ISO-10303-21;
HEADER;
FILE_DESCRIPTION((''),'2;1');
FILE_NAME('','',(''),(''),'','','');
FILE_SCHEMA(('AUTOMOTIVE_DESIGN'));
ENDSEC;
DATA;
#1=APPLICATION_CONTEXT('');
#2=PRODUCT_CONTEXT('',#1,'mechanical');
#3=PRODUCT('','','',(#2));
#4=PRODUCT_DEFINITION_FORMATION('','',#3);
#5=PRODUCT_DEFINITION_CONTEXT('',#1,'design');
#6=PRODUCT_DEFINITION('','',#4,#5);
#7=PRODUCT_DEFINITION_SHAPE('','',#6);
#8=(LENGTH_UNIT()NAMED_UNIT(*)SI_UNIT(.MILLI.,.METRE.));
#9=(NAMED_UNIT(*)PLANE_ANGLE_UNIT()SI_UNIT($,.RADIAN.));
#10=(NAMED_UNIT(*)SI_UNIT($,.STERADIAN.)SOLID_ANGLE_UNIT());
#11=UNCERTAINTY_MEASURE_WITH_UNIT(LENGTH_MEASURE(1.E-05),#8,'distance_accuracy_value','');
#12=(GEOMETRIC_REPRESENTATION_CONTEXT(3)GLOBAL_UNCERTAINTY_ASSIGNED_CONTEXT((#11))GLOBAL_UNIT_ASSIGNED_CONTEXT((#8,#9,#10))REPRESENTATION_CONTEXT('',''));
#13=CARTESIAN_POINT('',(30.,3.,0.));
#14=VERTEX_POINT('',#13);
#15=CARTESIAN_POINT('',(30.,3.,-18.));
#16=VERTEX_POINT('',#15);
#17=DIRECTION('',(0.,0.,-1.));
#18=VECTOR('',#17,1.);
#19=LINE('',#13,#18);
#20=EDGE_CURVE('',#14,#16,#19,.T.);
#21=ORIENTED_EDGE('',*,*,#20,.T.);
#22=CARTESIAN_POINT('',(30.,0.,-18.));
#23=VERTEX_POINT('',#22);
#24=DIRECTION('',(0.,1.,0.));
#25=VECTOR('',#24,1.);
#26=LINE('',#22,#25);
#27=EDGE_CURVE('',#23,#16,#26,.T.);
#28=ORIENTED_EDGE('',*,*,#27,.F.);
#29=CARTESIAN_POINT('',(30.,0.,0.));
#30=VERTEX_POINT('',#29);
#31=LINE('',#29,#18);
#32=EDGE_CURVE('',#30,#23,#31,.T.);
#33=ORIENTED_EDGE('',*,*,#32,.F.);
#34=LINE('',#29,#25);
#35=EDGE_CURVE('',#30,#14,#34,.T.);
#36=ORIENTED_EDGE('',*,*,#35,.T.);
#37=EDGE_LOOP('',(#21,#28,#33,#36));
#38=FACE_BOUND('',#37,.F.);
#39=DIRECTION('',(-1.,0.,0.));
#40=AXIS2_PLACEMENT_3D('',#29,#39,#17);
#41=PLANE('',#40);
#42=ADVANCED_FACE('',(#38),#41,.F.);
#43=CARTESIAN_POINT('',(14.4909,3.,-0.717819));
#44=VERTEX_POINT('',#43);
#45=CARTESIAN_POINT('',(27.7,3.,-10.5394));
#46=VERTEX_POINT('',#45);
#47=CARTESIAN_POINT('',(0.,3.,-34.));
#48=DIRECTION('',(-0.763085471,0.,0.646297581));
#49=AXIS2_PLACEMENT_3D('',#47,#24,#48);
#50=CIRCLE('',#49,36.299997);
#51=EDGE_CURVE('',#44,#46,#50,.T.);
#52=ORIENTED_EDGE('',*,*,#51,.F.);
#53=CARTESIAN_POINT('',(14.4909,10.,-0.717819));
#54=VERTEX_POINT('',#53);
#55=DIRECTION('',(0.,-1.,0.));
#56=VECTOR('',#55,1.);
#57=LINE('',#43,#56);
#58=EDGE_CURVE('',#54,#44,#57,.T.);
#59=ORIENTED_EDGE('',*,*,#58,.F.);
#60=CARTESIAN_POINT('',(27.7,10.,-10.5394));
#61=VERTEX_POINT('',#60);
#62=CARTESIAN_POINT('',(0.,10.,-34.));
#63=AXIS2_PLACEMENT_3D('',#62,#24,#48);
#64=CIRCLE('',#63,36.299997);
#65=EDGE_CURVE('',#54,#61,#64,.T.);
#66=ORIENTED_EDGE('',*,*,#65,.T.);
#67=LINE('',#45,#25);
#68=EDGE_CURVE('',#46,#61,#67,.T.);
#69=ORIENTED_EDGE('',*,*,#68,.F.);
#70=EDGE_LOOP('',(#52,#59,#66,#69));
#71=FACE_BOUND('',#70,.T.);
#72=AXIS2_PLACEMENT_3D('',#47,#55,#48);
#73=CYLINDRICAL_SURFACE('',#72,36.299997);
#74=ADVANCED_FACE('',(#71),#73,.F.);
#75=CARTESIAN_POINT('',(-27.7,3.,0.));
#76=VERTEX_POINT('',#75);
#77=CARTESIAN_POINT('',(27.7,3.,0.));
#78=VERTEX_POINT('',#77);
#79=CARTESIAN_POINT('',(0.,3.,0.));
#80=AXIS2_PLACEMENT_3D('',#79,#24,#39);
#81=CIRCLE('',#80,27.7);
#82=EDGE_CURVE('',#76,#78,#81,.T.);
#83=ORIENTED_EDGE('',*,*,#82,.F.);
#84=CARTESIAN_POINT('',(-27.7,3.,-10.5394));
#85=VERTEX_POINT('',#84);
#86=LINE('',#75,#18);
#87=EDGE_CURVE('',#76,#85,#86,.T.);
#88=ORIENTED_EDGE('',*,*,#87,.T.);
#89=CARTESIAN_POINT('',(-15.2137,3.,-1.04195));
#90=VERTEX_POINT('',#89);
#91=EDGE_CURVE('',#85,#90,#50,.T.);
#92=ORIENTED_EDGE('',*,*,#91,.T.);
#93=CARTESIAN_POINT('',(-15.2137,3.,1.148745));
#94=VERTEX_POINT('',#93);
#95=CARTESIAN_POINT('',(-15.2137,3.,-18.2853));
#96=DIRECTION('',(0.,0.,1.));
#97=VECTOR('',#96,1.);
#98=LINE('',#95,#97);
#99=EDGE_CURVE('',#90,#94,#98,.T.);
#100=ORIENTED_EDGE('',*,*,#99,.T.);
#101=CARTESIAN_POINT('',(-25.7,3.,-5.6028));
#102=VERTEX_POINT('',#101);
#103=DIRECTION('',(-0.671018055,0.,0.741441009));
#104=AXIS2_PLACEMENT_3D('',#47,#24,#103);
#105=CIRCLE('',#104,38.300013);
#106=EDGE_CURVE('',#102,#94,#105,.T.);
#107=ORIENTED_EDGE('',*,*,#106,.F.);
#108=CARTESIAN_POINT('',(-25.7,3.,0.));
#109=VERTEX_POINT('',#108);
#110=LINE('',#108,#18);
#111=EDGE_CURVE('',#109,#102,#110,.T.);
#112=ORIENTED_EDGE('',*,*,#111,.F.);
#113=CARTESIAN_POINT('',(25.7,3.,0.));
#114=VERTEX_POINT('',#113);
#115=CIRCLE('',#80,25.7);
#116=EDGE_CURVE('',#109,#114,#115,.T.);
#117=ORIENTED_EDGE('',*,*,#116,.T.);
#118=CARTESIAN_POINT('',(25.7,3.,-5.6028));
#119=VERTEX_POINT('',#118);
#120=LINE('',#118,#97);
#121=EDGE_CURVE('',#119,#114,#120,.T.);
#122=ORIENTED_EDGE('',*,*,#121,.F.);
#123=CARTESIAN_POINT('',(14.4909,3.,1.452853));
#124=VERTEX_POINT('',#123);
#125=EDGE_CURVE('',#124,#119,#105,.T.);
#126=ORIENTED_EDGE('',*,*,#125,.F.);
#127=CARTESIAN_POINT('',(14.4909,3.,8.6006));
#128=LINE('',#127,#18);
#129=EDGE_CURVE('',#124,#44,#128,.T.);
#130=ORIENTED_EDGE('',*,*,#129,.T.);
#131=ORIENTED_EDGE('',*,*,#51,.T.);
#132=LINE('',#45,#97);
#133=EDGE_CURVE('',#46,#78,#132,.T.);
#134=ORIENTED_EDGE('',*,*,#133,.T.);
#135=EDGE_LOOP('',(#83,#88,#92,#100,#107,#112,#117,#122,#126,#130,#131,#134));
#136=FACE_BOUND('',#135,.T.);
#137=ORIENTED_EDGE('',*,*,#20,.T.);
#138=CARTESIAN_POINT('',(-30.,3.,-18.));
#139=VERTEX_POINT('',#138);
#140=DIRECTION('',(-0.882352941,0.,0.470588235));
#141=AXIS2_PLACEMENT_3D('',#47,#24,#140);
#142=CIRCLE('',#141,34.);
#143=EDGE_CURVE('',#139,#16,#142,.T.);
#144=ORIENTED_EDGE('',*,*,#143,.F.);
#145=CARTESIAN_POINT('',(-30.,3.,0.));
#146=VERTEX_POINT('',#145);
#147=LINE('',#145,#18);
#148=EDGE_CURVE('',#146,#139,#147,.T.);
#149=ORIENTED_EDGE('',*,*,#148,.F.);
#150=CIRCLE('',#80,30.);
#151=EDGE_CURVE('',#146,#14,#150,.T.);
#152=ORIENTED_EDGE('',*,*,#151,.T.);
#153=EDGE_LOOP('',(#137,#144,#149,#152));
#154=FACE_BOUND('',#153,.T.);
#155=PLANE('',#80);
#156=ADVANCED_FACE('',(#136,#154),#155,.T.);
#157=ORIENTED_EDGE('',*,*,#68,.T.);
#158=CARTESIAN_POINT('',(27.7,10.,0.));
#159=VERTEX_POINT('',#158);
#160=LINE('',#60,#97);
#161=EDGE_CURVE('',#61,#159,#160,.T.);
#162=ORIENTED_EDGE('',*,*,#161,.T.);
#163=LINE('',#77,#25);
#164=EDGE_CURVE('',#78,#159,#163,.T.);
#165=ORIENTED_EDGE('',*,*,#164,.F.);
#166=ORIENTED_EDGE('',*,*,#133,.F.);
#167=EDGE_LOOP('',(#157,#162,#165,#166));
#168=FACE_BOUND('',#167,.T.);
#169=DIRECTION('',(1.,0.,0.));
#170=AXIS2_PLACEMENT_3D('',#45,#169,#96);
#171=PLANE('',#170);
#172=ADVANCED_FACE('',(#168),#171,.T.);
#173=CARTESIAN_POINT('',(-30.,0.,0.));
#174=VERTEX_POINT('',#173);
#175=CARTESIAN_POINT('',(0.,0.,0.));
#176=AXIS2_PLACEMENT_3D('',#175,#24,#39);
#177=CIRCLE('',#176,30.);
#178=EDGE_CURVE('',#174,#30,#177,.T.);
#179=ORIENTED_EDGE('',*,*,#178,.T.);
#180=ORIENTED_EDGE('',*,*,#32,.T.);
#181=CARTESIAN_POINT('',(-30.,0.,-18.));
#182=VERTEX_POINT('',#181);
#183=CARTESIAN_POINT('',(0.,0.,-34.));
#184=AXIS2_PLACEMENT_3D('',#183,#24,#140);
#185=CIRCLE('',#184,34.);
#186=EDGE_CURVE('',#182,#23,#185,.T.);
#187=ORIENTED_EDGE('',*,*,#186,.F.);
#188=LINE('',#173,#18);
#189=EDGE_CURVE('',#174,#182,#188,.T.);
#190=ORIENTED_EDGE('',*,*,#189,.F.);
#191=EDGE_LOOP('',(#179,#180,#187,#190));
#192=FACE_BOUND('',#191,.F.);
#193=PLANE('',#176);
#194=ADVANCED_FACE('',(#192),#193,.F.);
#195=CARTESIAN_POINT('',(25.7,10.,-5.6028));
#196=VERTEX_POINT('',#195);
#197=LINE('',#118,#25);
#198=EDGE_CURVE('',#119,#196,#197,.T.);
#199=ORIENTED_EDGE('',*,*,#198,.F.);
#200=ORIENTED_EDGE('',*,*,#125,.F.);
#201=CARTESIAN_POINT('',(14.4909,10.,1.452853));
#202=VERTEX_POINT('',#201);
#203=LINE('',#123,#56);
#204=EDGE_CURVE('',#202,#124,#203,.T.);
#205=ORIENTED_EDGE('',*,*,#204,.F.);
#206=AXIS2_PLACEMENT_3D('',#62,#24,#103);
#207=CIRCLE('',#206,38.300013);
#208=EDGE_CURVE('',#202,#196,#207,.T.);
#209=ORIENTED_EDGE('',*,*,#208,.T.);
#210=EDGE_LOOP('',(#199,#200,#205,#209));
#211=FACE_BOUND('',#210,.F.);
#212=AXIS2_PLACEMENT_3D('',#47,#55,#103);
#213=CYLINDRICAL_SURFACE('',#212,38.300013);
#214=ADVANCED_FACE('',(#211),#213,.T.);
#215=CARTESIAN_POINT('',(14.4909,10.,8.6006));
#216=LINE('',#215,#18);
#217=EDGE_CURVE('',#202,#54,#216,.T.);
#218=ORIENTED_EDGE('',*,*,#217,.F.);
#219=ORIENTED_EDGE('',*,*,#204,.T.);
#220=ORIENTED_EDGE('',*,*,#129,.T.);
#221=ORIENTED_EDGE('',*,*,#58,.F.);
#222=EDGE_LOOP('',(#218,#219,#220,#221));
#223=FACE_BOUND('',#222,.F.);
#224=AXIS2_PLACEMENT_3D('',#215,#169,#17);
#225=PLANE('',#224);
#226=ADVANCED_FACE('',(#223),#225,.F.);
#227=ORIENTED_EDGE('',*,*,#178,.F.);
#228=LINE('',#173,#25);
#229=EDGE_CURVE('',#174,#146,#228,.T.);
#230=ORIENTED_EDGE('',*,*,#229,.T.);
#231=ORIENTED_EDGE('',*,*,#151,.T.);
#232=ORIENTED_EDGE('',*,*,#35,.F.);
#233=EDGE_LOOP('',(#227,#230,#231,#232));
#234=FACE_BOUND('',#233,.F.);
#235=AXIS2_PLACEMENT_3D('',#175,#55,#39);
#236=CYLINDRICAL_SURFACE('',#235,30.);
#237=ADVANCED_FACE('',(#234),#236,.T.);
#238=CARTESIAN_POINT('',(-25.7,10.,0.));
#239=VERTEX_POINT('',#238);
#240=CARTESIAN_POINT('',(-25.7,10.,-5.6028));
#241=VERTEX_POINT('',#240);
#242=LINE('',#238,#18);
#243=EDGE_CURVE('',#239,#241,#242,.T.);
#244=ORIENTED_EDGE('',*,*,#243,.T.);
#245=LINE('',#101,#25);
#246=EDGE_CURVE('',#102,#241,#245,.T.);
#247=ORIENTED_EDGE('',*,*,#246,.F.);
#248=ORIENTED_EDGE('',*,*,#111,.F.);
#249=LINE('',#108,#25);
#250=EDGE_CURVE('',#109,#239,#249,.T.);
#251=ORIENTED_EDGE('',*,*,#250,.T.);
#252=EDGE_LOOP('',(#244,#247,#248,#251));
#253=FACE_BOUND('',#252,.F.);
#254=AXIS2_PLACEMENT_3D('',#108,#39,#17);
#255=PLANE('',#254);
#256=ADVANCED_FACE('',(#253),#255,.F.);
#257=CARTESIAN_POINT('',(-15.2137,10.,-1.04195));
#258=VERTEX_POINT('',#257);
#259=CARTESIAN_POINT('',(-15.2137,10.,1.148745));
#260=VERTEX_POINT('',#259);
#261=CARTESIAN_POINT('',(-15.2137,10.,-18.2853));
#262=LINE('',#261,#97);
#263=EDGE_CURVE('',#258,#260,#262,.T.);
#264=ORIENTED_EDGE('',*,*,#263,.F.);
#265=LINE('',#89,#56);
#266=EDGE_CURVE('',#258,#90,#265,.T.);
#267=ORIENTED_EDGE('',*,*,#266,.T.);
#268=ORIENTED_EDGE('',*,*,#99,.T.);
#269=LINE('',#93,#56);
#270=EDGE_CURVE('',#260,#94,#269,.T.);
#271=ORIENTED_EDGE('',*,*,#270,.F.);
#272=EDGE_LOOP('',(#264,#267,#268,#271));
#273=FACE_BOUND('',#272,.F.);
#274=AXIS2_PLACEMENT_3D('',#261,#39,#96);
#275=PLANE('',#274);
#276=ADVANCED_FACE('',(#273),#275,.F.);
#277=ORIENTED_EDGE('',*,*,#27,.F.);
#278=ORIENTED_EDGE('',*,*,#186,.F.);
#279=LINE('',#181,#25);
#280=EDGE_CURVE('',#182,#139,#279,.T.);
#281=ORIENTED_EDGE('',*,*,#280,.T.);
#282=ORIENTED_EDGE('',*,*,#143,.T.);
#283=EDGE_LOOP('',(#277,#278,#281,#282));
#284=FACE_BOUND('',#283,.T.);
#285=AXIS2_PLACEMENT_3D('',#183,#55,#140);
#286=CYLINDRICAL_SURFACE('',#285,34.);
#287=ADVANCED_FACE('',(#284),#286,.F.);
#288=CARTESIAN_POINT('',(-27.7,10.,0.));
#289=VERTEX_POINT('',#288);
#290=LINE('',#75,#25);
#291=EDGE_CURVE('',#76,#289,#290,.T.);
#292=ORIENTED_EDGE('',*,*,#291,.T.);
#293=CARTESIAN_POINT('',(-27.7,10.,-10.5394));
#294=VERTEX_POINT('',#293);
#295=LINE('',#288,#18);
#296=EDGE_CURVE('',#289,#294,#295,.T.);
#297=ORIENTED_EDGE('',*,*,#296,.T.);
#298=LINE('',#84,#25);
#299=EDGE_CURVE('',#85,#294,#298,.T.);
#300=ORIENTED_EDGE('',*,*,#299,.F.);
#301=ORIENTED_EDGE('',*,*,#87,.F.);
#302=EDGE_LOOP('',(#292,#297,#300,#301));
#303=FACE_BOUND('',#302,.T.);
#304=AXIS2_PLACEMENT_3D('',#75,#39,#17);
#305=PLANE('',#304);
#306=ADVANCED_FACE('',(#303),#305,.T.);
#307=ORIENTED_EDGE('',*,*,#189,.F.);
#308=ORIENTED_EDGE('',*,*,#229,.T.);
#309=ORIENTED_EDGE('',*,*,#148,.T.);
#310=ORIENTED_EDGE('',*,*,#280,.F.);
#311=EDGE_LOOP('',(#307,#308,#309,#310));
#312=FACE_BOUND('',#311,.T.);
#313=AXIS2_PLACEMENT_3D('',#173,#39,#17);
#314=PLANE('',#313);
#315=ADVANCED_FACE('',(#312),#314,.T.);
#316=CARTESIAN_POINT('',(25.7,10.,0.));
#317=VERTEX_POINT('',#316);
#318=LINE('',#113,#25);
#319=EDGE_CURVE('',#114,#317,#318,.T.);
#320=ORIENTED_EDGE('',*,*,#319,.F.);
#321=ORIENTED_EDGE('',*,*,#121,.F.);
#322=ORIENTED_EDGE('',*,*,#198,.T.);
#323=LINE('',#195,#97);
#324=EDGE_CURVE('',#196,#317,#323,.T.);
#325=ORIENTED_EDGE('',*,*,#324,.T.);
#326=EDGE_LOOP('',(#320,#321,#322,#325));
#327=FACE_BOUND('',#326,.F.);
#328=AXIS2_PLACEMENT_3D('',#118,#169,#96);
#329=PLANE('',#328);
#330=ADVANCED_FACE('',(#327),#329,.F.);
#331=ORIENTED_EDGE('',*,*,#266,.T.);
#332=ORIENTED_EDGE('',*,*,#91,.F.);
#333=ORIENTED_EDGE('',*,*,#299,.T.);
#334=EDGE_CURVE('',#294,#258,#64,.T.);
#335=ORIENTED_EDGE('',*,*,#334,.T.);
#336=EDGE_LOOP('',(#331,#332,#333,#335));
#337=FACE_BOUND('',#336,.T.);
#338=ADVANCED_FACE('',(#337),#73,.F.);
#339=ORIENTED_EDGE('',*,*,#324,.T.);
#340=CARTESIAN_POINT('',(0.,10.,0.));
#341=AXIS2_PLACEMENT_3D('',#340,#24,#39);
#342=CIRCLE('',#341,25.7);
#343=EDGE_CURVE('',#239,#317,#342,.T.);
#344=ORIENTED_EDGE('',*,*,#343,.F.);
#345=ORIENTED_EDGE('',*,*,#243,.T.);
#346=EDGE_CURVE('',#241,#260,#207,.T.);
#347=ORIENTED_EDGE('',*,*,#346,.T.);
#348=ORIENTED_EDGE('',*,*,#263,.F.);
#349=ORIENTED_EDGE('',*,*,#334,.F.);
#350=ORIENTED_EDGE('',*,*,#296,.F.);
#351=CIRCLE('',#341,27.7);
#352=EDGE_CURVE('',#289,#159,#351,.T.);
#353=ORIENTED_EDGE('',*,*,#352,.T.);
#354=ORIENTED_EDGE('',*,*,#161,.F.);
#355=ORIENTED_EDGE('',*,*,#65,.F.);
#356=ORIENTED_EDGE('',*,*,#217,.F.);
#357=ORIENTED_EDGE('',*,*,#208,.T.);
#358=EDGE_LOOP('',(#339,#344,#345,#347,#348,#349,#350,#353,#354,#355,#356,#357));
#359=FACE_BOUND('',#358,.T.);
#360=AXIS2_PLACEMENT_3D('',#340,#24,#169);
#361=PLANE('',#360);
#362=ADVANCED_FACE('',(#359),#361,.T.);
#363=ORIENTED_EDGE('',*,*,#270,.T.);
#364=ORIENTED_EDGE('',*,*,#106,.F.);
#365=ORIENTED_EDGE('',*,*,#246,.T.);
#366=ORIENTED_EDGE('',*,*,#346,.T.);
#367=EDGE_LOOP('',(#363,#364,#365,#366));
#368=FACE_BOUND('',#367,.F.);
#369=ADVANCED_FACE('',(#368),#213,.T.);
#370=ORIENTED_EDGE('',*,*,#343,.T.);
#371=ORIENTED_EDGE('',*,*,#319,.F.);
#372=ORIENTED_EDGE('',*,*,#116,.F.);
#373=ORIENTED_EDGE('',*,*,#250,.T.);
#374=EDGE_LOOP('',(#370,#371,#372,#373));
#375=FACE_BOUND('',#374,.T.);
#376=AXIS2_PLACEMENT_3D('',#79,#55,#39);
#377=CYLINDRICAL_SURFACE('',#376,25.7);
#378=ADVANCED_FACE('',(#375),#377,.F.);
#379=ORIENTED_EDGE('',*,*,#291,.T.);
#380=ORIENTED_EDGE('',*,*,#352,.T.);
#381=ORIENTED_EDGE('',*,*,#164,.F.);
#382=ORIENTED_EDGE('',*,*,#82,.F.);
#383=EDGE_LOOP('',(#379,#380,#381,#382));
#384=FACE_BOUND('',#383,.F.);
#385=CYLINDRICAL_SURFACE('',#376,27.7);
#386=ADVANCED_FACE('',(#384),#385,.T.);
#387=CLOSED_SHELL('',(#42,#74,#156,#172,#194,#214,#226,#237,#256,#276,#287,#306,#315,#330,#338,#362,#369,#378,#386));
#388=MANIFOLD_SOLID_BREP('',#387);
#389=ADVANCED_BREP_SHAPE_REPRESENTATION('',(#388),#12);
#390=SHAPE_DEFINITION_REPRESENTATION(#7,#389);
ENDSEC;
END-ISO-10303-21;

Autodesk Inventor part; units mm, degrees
ref_plane "YZ Plane" through (0, 0, 0) normal (1, 0, 0) x (0, 1, 0)
ref_plane "XZ Plane" through (0, 0, 0) normal (0, 1, 0) x (-1, 0, 0)
ref_plane "XY Plane" through (0, 0, 0) normal (0, 0, 1) x (1, 0, 0)
sketch "Sketch1" plane through (0, 0, 0) normal (0, 1, 0) x (-1, 0, 0)
  arc A0 (30, 0) -> (-30, 0) centre (0, 0) ccw
  line L0 (30, 0) -> (30, -18)
  line L1 (-30, 0) -> (-30, -18)
  arc A1 (30, -18) -> (-30, -18) centre (0, -34) ccw
  dimension "d0" = 60
  dimension "d1" = 34
  dimension "d4" = 18
extrude "Extrusion1" add sketch "Sketch1" along normal blind 3
sketch "Sketch2" plane through (0, 3, 0) normal (0, 1, 0) x (1, 0, 0)
  arc A0 (-30, 0) -> (30, 0) centre (0, 0) ccw projected
  arc A1 (-30, 18) -> (30, 18) centre (0, 34) ccw projected
  line L0 (-30, 18) -> (-30, 0) projected
  line L1 (30, 0) -> (30, 18) projected
  arc A2 (-27.7, 0) -> (27.7, 0) centre (0, 0) ccw
  line L2 (-27.7, 0) -> (-27.7, 10.5394)
  arc A3 (-27.7, 10.5394) -> (27.7, 10.5394) centre (0, 34) ccw
  line L3 (27.7, 10.5394) -> (27.7, 0)
  arc A4 (-25.7, 0) -> (25.7, 0) centre (0, 0) ccw
  line L4 (-25.7, 0) -> (-25.7, 5.6028)
  arc A5 (-25.7, 5.6028) -> (25.7, 5.6028) centre (0, 34) ccw
  line L5 (25.7, 5.6028) -> (25.7, 0)
  dimension "d5" = 2.3
  dimension "d6" = 2
extrude "Extrusion2" add sketch "Sketch2" along normal blind 7 contours L2 A3 L3 A2
sketch "Sketch3" plane through (0, 10, 0) normal (0, 1, 0) x (1, 0, 0)
  line L0 (-15.2137, -8.6006) -> (14.4909, -8.6006)
  line L1 (14.4909, -8.6006) -> (14.4909, 18.2853)
  line L2 (14.4909, 18.2853) -> (-15.2137, 18.2853)
  line L3 (-15.2137, 18.2853) -> (-15.2137, -8.6006)
  point P0 (0, 0)
extrude "Extrusion3" cut sketch "Sketch3" against normal blind 7
properties part number "Tapa general_3DPrint"
